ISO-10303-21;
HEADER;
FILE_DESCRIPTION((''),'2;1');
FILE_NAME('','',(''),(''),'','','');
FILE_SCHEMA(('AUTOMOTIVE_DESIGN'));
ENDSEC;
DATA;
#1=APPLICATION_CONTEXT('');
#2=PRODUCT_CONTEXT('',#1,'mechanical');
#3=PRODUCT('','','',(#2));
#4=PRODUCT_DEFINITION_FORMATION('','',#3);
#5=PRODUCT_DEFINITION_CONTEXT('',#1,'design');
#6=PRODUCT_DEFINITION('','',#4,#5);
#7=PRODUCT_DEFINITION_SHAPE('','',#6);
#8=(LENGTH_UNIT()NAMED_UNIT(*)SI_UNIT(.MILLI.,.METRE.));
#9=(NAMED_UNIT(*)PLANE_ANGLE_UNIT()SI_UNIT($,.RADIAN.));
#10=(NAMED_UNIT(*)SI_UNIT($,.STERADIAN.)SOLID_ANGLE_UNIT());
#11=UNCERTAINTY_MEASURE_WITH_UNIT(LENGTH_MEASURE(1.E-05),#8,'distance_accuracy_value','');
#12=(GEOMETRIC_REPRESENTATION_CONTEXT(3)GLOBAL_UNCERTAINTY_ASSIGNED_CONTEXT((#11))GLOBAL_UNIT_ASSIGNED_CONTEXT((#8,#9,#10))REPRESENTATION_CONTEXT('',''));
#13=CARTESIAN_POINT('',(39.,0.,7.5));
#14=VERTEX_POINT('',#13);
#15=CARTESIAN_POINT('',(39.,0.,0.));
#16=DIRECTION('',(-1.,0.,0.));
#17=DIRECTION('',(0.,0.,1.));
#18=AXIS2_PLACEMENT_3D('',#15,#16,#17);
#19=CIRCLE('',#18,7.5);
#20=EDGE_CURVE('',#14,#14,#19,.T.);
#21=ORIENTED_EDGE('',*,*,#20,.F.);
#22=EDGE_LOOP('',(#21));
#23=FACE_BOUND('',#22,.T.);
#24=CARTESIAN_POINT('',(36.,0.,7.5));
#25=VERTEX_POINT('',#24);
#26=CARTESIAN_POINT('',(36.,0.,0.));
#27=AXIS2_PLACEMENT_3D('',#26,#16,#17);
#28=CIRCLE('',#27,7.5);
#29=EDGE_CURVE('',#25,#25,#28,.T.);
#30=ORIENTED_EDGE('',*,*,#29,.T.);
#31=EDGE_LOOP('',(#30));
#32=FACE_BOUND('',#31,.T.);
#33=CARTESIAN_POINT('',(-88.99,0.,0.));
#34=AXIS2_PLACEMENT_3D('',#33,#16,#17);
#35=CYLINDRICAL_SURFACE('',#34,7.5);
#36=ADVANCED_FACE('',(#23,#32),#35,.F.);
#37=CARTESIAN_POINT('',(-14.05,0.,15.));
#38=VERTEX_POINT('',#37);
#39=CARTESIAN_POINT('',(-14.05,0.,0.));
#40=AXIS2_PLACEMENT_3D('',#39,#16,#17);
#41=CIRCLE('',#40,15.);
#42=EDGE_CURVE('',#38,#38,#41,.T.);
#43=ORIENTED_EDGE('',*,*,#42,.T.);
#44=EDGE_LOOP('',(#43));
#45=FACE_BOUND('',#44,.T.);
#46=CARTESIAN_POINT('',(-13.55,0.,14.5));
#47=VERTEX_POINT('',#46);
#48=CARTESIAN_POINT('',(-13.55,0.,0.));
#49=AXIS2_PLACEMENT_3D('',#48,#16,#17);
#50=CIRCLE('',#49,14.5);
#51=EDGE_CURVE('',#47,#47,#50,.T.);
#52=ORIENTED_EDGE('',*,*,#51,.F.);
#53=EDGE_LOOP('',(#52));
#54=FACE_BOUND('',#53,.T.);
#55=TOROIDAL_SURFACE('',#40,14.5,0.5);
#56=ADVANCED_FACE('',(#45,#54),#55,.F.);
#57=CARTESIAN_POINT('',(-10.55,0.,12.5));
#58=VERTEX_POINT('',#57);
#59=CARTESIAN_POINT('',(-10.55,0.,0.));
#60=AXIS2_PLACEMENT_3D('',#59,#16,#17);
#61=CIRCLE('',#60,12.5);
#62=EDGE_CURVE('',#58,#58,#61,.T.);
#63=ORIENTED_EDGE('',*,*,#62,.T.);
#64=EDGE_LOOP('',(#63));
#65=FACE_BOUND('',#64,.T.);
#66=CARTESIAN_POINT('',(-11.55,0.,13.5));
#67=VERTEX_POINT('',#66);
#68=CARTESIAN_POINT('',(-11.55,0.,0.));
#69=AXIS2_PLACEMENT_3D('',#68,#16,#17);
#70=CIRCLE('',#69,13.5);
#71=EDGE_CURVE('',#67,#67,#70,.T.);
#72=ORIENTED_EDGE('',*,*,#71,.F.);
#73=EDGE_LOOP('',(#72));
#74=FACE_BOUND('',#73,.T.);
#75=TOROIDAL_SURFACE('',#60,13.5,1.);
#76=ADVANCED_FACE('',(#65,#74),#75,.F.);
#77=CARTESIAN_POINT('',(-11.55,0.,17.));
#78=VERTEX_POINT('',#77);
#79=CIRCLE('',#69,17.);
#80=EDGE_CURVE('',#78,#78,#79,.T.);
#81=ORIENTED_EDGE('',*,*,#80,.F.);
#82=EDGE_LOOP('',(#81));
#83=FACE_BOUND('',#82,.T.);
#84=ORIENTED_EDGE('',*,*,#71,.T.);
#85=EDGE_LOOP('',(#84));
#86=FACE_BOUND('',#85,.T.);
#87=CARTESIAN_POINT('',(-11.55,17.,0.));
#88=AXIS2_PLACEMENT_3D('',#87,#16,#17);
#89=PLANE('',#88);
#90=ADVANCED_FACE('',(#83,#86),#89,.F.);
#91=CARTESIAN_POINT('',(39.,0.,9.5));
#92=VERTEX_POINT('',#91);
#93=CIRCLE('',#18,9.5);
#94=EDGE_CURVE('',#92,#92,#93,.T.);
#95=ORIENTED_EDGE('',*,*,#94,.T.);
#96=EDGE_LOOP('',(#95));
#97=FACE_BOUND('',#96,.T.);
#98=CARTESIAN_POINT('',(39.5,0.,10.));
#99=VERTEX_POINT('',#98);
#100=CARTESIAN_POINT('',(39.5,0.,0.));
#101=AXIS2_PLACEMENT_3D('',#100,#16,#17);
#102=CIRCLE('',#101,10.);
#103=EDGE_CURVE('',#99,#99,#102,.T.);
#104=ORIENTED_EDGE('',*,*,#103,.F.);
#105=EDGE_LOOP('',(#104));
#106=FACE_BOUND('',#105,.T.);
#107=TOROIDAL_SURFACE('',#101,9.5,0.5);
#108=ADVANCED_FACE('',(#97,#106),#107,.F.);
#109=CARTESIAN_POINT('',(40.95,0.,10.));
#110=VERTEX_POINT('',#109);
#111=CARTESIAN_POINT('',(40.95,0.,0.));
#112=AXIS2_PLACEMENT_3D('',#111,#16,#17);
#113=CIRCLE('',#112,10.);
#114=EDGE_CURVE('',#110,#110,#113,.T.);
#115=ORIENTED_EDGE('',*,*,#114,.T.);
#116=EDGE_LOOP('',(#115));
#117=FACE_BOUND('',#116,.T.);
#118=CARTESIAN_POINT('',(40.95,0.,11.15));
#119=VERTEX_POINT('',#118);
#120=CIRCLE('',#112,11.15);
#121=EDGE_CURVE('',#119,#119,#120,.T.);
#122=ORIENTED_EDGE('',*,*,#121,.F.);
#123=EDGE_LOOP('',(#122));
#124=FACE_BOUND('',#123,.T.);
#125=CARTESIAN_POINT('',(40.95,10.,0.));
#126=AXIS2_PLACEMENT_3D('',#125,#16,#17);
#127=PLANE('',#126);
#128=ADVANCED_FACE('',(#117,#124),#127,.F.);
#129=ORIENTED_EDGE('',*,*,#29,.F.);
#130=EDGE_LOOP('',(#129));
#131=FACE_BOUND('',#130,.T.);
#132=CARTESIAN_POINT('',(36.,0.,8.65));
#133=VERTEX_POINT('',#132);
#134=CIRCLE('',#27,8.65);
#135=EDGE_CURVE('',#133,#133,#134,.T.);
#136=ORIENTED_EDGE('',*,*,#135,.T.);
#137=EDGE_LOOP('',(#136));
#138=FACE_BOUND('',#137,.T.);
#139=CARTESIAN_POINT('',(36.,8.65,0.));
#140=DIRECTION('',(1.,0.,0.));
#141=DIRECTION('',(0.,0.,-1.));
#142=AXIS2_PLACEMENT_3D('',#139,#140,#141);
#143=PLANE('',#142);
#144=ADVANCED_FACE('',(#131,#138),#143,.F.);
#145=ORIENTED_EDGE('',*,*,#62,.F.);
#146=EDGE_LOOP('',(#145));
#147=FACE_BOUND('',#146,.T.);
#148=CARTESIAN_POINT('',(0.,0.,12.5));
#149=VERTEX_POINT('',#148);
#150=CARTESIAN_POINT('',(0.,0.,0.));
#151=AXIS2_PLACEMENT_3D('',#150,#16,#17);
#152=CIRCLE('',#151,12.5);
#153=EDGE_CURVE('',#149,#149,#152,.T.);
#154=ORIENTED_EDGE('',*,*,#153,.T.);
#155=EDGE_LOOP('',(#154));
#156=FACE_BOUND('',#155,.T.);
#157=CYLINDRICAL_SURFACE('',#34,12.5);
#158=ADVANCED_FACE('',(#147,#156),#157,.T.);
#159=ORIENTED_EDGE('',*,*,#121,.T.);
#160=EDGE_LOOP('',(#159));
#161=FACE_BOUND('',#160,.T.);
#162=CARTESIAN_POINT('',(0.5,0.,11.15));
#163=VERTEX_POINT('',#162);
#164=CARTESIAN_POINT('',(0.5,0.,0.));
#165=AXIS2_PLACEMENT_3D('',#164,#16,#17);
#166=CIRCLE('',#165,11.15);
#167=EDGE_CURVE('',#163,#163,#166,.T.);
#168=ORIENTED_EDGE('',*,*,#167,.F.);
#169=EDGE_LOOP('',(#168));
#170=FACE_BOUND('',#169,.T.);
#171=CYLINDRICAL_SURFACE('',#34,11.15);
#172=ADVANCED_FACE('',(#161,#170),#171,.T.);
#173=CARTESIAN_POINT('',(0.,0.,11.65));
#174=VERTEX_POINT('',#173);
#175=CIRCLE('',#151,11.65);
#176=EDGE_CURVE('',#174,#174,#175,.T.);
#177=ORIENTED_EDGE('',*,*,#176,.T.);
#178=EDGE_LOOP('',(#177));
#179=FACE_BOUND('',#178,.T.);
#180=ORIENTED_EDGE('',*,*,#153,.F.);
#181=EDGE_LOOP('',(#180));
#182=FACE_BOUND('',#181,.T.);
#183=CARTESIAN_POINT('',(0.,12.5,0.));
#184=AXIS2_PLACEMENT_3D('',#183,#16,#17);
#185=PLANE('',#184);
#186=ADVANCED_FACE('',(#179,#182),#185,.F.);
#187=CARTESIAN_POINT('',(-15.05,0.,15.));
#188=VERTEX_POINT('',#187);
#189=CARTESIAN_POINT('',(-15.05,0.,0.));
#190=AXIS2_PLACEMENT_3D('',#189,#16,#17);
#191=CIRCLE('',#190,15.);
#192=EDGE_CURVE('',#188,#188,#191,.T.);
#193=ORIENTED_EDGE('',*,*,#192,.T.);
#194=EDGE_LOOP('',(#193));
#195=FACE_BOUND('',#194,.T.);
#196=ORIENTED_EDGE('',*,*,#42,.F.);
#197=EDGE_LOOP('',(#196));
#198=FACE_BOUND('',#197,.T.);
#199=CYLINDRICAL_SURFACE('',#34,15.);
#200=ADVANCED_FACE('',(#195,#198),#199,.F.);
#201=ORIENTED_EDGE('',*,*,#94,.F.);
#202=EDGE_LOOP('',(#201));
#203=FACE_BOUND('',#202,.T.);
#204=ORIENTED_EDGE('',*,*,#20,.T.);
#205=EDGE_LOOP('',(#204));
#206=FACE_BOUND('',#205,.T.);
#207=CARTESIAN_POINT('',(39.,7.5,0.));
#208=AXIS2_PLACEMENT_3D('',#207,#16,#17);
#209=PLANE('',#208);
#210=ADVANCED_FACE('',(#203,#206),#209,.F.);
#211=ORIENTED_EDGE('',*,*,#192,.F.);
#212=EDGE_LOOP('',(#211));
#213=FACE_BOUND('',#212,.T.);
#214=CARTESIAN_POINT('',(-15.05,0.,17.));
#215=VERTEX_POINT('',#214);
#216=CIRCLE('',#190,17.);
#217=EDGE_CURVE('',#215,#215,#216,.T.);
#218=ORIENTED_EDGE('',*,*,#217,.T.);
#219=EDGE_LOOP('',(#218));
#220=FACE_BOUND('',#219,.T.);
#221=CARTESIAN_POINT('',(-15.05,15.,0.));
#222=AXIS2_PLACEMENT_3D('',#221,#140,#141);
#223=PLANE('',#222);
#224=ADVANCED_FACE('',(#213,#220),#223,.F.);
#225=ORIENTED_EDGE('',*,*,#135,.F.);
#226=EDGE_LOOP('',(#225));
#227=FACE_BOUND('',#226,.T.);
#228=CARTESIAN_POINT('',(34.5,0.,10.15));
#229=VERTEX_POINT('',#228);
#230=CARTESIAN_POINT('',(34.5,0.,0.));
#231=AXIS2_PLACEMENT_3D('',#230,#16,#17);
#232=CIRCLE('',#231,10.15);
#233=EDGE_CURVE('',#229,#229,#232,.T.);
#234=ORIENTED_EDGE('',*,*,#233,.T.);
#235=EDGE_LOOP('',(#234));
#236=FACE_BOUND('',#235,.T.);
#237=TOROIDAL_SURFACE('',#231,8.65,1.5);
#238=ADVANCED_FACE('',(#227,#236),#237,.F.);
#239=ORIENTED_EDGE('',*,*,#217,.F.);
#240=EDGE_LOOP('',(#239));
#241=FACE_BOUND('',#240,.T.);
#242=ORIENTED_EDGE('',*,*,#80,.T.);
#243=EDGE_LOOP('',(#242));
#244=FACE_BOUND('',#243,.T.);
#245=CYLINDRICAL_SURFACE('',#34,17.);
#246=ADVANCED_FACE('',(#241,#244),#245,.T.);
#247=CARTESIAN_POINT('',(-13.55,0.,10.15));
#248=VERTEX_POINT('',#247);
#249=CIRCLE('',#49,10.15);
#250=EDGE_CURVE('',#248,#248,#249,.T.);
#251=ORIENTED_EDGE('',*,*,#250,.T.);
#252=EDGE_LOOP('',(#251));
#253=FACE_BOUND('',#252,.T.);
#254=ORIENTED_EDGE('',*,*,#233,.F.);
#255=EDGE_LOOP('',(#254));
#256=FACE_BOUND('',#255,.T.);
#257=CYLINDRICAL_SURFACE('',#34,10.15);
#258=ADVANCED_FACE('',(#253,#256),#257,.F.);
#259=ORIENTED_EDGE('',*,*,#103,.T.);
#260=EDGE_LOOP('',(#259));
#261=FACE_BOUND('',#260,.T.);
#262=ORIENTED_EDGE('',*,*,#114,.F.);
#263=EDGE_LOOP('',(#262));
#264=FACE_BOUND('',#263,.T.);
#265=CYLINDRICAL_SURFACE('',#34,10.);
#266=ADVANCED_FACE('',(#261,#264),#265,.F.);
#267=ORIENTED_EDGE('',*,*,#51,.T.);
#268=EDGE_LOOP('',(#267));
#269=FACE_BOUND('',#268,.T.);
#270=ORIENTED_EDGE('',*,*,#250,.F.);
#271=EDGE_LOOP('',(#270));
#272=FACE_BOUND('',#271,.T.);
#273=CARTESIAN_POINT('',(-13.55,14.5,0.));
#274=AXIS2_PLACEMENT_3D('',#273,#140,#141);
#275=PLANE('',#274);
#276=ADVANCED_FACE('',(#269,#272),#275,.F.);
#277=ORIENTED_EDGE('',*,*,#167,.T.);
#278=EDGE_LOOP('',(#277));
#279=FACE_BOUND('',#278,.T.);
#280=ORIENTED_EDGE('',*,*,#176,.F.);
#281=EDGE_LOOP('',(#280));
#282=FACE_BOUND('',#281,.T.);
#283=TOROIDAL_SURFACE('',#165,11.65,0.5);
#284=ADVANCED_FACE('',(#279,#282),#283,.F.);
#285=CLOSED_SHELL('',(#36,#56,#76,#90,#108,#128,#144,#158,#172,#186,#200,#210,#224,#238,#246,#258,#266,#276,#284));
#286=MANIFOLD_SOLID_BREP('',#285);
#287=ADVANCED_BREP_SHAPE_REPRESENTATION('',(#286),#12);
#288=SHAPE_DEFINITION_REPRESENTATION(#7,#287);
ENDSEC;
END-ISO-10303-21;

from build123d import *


with BuildPart() as part:
    # Sketch1 → Revolve1 (revolve)
    with BuildSketch(Plane.XY):
        with BuildLine():
            Line((0, 12.5), (0, 11.65))
            ThreePointArc((0, 11.65), (0.146446609, 11.296446609), (0.5, 11.15))
            Line((0.5, 11.15), (40.95, 11.15))
            Line((40.95, 11.15), (40.95, 10))
            Line((40.95, 10), (39.5, 10))
            ThreePointArc((39.5, 10), (39.146446609, 9.853553391), (39, 9.5))
            Line((39, 9.5), (39, 7.5))
            Line((39, 7.5), (36, 7.5))
            Line((36, 7.5), (36, 8.65))
            ThreePointArc((36, 8.65), (35.560660172, 9.710660172), (34.5, 10.15))
            Line((34.5, 10.15), (-13.55, 10.15))
            Line((-13.55, 10.15), (-13.55, 14.5))
            ThreePointArc((-13.55, 14.5), (-13.696446609, 14.853553391), (-14.05, 15))
            Line((-14.05, 15), (-15.05, 15))
            Line((-15.05, 15), (-15.05, 17))
            Line((-15.05, 17), (-11.55, 17))
            Line((-11.55, 17), (-11.55, 13.5))
            ThreePointArc((-11.55, 13.5), (-11.257106781, 12.792893219), (-10.55, 12.5))
            Line((-10.55, 12.5), (0, 12.5))
        make_face()
    revolve(axis=Axis((-88.99, 0, 0), (1, 0, 0)))


solid = part.part
